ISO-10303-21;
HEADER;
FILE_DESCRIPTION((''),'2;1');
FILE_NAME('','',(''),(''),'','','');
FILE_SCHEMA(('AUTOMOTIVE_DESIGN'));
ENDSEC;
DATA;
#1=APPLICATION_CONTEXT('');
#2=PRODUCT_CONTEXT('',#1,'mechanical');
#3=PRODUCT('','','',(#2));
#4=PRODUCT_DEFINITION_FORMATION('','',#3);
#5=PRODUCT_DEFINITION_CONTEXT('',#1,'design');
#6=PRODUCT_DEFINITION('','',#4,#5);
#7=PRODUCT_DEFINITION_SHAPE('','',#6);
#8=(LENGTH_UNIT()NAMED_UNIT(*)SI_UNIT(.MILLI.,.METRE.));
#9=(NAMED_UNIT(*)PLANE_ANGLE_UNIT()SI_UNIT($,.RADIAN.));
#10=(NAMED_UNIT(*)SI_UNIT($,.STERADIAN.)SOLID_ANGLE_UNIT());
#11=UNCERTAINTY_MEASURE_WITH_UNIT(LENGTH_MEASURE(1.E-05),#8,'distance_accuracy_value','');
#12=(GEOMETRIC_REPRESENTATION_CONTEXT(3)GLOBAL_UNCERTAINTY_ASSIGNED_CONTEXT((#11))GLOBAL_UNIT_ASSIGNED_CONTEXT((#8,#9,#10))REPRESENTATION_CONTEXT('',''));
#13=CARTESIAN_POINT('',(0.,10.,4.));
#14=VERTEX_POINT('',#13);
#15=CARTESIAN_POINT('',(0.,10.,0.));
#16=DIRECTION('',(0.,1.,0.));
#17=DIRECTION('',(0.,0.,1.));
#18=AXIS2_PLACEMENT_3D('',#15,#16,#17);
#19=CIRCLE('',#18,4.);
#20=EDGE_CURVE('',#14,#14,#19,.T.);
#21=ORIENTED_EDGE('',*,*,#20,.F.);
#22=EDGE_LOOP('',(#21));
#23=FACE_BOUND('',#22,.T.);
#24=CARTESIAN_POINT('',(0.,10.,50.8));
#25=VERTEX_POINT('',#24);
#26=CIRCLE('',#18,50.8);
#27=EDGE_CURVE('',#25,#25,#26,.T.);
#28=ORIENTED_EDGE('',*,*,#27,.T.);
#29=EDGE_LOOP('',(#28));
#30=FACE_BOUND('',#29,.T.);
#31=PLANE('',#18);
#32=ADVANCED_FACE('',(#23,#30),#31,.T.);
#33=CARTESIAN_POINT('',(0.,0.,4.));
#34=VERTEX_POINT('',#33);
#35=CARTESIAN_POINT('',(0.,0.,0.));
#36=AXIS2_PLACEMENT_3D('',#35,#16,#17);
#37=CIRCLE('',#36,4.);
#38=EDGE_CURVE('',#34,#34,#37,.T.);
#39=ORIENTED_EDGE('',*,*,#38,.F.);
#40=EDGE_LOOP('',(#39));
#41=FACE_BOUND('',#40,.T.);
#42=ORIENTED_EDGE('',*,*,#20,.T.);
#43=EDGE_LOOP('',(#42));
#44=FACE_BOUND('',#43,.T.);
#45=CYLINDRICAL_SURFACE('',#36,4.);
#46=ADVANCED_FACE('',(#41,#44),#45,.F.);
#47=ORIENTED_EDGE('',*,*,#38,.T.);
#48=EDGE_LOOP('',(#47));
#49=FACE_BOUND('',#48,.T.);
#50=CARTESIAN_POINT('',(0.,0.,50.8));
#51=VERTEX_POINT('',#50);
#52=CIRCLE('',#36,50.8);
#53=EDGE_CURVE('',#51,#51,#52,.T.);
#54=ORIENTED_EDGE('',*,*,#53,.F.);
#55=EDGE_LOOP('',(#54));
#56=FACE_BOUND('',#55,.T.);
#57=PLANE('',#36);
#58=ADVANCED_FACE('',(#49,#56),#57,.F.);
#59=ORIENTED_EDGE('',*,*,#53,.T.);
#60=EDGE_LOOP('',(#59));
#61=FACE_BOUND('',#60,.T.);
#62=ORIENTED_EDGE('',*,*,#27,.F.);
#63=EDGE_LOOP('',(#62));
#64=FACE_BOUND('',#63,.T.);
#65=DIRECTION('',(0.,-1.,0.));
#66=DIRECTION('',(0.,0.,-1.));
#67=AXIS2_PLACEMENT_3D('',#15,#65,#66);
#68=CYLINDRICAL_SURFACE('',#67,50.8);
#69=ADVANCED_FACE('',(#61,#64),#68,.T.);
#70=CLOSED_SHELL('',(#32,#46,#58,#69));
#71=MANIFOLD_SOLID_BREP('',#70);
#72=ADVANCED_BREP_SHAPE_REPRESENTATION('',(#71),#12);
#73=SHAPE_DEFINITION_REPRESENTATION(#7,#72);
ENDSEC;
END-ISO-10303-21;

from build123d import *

# Parameters (mm, degrees)
SKETCH1_R           = 50.8
BOSS_EXTRUDE1_DEPTH = 10
SKETCH2_R           = 4
CUT_EXTRUDE1_DEPTH  = 11


with BuildPart() as part:
    # Sketch1 → Boss-Extrude1 (new body)
    with BuildSketch(Plane(origin=(0, 0, 0), x_dir=(1, 0, 0), z_dir=(0, 1, 0))):
        Circle(SKETCH1_R)
    extrude(amount=BOSS_EXTRUDE1_DEPTH)

    # Sketch2 → Cut-Extrude1 (cut, through all)
    with BuildSketch(Plane(origin=(0, 10, 0), x_dir=(1, 0, 0), z_dir=(0, 1, 0))):
        Circle(SKETCH2_R)
    extrude(amount=-CUT_EXTRUDE1_DEPTH, mode=Mode.SUBTRACT)


solid = part.part
